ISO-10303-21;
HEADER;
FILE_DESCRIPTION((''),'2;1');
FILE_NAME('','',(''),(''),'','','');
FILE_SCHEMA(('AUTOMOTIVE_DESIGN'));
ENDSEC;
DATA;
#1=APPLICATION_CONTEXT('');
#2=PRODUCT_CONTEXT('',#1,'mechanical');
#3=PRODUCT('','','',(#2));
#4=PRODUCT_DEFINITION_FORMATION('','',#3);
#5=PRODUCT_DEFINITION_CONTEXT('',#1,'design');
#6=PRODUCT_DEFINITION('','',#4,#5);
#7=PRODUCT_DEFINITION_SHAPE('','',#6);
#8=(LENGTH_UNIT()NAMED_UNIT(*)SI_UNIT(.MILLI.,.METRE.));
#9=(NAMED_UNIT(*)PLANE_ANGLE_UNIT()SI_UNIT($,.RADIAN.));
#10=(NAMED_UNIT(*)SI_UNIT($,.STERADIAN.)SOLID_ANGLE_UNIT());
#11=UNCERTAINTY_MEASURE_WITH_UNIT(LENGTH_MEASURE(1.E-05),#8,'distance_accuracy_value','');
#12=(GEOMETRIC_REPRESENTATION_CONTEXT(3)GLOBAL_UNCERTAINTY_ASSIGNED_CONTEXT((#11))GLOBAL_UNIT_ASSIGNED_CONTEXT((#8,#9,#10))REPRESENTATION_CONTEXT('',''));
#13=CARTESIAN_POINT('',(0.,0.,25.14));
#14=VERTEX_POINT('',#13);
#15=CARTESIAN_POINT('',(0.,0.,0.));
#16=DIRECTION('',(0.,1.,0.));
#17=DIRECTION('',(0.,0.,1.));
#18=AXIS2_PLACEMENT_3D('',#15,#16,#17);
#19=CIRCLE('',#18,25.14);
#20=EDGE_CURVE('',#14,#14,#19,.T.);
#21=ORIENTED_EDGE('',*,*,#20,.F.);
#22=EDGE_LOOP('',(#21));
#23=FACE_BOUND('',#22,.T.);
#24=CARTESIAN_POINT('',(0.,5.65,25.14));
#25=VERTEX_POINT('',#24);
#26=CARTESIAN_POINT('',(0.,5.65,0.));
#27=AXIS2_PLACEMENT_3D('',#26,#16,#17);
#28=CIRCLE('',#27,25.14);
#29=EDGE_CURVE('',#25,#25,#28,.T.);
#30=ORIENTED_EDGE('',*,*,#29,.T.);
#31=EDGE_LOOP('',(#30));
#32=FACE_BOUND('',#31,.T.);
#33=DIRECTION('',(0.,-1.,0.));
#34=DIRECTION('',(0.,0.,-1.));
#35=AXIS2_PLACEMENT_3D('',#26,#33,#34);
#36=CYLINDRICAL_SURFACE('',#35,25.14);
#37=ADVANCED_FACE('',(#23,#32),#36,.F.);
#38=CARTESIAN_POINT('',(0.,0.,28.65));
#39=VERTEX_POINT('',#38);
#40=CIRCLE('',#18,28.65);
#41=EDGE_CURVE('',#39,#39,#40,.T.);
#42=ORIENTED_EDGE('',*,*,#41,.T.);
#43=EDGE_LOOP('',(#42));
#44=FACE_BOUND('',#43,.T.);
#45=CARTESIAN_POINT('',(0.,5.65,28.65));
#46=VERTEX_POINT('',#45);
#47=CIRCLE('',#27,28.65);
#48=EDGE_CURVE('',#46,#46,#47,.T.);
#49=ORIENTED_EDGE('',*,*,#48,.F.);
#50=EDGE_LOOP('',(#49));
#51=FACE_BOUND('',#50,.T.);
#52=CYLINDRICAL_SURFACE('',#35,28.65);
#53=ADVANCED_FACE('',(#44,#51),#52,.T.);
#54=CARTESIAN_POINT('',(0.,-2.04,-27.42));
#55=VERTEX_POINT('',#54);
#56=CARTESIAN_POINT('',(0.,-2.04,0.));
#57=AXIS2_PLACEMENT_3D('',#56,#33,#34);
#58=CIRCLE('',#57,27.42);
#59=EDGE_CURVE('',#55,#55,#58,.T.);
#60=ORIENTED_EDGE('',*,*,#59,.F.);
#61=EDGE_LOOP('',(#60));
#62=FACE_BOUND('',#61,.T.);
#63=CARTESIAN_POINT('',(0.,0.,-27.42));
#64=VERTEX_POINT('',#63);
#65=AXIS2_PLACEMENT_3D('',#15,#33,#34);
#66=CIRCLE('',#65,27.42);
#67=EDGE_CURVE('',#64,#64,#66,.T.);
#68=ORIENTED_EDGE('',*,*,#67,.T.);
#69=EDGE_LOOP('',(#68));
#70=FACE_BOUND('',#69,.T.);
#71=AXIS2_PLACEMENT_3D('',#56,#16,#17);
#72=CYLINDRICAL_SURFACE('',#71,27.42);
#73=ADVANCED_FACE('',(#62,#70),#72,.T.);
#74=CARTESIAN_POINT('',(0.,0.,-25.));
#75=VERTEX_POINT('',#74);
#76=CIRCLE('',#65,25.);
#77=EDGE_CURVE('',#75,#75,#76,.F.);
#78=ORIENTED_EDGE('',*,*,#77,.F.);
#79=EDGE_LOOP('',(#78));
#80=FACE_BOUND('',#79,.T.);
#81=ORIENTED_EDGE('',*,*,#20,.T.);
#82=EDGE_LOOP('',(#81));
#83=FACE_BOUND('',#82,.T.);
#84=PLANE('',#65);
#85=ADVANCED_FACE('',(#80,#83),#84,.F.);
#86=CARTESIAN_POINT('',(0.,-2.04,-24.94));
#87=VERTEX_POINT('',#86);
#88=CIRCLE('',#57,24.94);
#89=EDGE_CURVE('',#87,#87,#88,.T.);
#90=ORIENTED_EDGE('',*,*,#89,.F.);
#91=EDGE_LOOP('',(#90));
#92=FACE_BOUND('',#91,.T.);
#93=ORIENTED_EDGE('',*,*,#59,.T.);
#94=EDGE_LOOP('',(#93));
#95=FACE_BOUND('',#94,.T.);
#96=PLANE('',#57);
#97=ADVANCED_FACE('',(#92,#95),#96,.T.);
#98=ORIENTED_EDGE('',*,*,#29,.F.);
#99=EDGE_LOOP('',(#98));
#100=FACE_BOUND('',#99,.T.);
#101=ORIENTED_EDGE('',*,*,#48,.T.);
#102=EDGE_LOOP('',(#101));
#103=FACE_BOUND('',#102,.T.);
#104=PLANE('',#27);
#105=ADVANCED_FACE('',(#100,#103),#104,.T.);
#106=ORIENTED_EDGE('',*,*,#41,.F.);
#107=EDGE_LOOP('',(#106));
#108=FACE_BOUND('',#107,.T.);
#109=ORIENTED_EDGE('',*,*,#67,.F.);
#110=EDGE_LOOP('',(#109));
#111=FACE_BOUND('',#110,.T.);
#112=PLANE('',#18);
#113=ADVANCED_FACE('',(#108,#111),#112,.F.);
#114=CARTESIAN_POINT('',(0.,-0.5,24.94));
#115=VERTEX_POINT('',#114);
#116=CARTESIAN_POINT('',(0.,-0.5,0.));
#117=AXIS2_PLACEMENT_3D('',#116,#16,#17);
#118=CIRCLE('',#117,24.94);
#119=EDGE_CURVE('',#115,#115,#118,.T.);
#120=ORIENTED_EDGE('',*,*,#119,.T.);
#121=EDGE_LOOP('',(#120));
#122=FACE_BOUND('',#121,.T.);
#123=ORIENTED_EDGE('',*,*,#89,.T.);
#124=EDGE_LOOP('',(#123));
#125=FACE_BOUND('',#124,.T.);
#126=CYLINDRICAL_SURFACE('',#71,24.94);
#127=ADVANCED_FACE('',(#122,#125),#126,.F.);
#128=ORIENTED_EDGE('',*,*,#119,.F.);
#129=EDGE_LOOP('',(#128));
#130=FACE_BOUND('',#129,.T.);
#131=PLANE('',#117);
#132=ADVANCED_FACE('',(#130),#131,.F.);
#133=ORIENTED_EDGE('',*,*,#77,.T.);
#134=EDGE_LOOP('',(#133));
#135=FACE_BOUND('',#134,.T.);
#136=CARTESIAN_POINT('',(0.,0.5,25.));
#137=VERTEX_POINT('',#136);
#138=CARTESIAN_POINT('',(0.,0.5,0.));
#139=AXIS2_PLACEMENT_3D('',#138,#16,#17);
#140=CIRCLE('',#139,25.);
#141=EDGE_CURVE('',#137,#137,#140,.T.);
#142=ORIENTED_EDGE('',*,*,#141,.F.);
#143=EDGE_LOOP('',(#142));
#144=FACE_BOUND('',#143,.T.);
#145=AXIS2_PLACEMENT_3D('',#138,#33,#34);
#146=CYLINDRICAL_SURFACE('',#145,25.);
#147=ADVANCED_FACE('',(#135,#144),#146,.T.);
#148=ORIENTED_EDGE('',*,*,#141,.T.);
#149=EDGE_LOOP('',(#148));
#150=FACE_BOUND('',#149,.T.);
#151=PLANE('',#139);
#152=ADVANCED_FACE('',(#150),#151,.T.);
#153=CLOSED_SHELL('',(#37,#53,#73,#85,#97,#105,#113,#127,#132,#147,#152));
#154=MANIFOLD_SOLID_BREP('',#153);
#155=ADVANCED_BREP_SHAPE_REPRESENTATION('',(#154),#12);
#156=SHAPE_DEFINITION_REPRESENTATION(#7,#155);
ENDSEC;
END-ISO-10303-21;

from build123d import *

# Parameters (mm, degrees)
SKETCH_1_R      = 28.65
SKETCH_1_R_2    = 25.14
EXTRUDE_1_DEPTH = 5.65
SKETCH_2_R      = 27.42
SKETCH_2_R_2    = 24.94
EXTRUDE_2_DEPTH = 2.04
SKETCH_3_R      = 25
EXTRUDE_3_DEPTH = 0.5


with BuildPart() as part:
    # Эскиз1 → Бобышка-Вытянуть1 (new body)
    with BuildSketch(Plane(origin=(0, 0, 0), x_dir=(1, 0, 0), z_dir=(0, 1, 0))):
        with Locations(Location((0, 0, 0), (0, 0, 270))):
            Circle(SKETCH_1_R)
        with Locations(Location((0, 0, 0), (0, 0, 270))):
            Circle(SKETCH_1_R_2, mode=Mode.SUBTRACT)
    extrude(amount=EXTRUDE_1_DEPTH)

    # Эскиз2 → Бобышка-Вытянуть2 (add)
    with BuildSketch(Plane.XZ):
        with Locations(Location((0, 0, 0), (0, 0, 270))):
            Circle(SKETCH_2_R)
        with Locations(Location((0, 0, 0), (0, 0, 270))):
            Circle(SKETCH_2_R_2, mode=Mode.SUBTRACT)
    extrude(amount=EXTRUDE_2_DEPTH)

    # Эскиз3 → Бобышка-Вытянуть3 (add, symmetric)
    with BuildSketch(Plane(origin=(0, 0, 0), x_dir=(1, 0, 0), z_dir=(0, 1, 0))):
        with Locations(Location((0, 0, 0), (0, 0, 90))):
            Circle(SKETCH_3_R)
    extrude(amount=EXTRUDE_3_DEPTH, both=True)


solid = part.part
